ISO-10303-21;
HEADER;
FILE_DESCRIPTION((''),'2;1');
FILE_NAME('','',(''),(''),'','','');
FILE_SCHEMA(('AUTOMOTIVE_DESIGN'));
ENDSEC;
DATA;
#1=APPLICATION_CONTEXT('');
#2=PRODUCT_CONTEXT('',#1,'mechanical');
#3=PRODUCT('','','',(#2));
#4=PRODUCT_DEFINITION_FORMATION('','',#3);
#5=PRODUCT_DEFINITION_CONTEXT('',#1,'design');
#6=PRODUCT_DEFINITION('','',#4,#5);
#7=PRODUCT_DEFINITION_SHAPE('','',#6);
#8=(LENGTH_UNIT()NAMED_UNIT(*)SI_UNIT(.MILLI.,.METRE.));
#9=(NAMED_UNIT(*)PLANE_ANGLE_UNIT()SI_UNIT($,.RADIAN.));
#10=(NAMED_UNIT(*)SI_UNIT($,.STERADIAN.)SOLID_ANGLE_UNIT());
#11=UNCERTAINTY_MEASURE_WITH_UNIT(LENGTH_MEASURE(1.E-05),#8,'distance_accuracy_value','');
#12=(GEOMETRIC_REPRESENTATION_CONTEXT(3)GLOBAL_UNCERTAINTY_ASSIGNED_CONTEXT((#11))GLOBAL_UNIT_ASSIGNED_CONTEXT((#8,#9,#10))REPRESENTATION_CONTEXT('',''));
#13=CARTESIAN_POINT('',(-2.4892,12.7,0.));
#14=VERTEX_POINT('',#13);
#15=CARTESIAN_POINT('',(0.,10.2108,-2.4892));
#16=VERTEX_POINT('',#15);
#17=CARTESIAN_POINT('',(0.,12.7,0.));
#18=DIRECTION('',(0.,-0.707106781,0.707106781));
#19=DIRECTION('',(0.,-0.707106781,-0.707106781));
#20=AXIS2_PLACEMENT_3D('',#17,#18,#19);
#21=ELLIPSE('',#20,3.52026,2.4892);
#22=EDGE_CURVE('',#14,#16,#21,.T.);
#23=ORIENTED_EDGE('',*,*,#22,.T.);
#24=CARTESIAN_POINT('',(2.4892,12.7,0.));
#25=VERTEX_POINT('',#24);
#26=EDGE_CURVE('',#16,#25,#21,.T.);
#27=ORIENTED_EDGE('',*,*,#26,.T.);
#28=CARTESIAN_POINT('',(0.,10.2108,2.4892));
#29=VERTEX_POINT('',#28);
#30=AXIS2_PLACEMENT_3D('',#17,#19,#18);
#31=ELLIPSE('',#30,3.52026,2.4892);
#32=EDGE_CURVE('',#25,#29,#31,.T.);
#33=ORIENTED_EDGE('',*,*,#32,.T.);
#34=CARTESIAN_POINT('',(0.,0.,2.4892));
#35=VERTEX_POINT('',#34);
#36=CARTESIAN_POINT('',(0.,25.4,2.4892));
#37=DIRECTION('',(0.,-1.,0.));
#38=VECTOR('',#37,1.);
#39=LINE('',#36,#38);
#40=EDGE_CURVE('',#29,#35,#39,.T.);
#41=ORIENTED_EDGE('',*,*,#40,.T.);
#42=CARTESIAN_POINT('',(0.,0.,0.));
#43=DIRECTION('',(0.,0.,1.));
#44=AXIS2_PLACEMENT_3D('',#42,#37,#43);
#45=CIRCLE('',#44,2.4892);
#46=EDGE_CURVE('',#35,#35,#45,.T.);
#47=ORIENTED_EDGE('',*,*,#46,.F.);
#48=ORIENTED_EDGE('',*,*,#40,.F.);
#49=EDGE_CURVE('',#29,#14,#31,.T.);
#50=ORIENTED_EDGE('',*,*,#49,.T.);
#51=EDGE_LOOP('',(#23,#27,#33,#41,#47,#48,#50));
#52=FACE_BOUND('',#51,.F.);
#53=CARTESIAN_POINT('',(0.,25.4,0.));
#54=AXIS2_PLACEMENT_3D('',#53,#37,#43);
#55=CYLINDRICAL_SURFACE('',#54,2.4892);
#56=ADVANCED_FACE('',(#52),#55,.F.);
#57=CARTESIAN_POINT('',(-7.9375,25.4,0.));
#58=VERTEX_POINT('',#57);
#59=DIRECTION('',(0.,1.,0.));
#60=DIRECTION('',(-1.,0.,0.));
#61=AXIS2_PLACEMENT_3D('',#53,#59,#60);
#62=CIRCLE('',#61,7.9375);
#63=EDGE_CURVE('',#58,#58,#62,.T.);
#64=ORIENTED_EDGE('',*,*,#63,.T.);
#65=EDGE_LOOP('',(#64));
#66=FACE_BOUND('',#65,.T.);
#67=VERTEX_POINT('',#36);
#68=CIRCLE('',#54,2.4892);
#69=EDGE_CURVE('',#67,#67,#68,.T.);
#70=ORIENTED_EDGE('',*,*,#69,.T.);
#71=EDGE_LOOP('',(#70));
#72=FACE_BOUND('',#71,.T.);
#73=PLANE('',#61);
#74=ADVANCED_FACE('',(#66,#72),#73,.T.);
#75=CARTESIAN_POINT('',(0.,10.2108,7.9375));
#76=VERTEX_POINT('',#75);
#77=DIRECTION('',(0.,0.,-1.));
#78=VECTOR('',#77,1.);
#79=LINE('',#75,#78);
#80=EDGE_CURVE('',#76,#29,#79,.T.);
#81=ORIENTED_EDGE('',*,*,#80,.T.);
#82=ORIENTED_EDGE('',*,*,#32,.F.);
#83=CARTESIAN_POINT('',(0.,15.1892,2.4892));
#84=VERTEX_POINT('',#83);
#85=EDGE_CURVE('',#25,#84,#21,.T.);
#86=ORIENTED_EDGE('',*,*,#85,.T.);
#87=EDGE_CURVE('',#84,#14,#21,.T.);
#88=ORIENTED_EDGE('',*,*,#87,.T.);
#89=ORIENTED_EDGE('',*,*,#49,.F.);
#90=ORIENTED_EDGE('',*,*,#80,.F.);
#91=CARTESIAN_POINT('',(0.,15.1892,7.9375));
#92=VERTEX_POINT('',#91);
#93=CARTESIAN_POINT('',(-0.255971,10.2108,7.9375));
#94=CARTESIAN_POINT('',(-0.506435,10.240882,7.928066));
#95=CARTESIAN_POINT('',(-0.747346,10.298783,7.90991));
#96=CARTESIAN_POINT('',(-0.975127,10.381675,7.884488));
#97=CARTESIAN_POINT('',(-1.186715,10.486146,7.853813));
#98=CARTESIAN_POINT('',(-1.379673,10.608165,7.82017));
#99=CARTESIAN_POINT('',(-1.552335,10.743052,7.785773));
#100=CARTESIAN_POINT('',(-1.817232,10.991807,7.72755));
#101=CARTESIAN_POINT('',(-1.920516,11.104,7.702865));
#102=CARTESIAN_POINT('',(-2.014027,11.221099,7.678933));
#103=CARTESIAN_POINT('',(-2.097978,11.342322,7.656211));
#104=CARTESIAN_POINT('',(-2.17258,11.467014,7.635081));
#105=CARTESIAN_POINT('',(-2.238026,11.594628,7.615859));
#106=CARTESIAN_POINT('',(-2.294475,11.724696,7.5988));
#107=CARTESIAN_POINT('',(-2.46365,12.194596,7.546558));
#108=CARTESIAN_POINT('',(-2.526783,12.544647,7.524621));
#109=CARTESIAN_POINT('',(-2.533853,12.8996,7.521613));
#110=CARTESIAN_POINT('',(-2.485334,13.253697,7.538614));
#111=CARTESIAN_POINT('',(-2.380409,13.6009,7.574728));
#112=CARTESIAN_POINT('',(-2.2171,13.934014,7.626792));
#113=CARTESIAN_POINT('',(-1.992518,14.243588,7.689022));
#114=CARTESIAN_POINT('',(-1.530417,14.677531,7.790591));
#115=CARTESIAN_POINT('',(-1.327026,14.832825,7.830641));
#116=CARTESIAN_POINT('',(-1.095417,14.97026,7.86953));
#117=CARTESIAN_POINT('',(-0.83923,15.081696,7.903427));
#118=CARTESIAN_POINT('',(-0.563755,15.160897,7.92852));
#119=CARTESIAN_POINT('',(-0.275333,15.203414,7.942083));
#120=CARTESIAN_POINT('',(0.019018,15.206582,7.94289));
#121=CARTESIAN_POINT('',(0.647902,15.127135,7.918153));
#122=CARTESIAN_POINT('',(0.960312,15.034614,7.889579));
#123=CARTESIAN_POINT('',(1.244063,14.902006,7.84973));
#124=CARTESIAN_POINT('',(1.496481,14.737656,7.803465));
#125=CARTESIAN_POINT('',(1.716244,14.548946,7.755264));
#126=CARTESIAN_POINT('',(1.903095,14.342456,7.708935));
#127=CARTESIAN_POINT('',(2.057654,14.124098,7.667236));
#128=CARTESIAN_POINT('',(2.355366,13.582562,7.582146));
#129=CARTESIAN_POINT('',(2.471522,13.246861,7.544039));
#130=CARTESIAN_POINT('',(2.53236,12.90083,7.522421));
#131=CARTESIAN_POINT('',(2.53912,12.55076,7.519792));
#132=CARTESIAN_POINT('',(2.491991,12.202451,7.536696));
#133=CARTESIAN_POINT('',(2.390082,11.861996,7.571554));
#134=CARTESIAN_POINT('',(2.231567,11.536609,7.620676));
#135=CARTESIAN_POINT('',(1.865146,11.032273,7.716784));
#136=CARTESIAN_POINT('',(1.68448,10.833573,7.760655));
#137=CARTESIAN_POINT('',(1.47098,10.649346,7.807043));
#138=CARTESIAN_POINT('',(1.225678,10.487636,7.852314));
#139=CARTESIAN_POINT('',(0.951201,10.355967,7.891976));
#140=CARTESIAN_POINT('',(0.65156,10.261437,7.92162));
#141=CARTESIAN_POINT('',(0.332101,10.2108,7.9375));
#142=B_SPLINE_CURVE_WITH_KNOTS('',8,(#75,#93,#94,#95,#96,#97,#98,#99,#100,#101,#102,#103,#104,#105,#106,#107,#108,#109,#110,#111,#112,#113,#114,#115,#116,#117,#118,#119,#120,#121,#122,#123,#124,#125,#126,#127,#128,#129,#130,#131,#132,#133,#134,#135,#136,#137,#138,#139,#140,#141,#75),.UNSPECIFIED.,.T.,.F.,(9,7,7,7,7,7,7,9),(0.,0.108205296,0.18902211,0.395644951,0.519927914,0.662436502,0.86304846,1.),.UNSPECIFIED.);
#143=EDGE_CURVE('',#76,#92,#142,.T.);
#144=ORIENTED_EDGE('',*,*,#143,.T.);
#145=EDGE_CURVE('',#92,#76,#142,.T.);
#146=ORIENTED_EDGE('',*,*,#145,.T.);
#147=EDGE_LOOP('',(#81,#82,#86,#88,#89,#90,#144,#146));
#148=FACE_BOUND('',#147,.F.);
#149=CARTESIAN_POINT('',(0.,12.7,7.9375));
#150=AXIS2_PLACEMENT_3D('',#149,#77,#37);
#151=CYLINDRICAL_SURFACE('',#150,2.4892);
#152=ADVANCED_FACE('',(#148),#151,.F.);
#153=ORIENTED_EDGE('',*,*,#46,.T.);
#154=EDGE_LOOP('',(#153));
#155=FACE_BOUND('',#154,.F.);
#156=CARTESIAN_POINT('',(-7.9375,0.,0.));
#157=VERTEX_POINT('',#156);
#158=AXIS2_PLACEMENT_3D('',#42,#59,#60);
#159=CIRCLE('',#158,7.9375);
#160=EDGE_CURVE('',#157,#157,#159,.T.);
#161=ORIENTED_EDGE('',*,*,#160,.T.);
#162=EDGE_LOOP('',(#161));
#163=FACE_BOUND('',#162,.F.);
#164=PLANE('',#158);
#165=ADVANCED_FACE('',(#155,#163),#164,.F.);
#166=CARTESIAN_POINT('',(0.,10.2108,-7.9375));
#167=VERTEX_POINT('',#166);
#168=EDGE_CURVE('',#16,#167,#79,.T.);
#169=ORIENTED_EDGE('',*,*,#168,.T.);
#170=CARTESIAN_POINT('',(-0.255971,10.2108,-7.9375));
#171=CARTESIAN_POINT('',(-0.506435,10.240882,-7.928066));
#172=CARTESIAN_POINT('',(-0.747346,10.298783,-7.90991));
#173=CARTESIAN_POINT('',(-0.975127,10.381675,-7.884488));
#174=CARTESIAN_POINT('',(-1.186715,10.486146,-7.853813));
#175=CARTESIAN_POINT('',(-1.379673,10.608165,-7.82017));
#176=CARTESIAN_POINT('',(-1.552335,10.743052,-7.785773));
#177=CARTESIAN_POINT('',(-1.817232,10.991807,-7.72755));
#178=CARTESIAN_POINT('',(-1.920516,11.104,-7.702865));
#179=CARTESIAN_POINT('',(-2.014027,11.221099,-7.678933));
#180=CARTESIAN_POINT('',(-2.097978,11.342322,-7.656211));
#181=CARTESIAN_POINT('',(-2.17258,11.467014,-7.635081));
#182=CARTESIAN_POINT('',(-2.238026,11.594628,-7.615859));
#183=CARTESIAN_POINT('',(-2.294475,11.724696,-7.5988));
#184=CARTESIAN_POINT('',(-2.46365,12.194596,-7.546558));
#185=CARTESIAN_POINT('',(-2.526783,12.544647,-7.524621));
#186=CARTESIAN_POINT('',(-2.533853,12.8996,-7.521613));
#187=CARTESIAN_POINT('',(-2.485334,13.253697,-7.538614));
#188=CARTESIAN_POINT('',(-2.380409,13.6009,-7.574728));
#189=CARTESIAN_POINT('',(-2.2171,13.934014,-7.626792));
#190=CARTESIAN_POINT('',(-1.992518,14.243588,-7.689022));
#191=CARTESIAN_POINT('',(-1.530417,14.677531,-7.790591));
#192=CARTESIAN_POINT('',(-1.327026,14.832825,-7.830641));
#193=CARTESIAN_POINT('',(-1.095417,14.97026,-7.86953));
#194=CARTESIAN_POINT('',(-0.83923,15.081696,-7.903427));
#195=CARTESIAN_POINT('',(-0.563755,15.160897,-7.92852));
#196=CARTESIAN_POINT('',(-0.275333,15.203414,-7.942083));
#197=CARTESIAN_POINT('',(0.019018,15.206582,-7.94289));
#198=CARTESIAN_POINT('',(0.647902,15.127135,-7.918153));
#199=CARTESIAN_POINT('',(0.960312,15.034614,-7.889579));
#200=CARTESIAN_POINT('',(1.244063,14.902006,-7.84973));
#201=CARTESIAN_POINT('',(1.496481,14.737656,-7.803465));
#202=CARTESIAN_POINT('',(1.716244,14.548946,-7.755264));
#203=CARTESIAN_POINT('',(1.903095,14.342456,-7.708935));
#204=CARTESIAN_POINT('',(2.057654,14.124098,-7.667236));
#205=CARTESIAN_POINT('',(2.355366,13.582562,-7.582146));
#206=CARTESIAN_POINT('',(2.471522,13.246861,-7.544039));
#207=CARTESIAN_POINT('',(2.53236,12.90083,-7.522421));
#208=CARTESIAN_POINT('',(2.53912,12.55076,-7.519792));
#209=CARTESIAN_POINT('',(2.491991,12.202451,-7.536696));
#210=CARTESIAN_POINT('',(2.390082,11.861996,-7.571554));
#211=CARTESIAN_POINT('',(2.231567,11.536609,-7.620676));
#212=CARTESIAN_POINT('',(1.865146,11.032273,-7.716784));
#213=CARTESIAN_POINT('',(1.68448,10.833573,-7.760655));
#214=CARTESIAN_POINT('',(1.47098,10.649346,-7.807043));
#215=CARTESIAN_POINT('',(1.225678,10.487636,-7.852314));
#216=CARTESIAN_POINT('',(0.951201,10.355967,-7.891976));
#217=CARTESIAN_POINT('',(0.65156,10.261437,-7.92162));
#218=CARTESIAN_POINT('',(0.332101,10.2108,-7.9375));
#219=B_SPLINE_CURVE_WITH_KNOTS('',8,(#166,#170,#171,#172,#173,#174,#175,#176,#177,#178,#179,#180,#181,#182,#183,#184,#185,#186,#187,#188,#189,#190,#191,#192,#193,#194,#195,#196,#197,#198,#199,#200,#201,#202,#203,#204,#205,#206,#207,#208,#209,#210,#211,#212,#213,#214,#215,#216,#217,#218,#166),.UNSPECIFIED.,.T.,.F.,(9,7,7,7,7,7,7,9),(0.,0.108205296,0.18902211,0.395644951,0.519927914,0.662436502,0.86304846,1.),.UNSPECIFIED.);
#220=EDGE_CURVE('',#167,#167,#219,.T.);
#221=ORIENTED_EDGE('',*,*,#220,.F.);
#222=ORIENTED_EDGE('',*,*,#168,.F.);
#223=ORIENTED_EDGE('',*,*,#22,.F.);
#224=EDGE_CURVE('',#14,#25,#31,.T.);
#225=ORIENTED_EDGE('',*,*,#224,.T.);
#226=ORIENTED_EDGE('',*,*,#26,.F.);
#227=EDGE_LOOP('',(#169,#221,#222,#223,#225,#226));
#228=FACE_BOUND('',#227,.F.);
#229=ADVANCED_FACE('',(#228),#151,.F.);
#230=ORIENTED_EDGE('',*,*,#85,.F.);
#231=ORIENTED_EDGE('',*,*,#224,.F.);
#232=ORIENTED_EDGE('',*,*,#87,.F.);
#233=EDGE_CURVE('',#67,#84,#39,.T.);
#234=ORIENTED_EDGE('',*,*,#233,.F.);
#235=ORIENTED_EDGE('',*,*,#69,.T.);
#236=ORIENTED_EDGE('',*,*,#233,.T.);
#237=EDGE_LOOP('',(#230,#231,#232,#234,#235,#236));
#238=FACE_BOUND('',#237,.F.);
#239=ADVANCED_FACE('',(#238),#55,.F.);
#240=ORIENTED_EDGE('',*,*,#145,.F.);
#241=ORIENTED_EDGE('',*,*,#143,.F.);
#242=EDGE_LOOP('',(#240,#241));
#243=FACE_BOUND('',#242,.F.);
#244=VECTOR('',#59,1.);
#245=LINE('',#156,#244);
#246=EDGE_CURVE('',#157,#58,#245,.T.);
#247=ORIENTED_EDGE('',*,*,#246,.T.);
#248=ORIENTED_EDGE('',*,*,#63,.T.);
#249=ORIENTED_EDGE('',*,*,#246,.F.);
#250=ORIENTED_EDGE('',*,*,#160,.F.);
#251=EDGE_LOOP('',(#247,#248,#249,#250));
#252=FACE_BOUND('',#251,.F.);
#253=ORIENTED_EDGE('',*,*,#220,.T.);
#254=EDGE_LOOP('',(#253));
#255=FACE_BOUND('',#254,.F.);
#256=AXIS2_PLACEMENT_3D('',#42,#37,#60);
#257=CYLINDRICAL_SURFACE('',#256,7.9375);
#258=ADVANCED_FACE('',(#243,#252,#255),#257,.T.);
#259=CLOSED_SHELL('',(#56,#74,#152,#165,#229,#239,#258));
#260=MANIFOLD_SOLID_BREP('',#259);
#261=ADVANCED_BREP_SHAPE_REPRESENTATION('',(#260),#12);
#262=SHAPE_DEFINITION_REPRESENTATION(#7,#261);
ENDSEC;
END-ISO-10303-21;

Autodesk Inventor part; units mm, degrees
ref_plane "YZ Plane" through (0, 0, 0) normal (1, 0, 0) x (0, 1, 0)
ref_plane "XZ Plane" through (0, 0, 0) normal (0, 1, 0) x (-1, 0, 0)
sketch "Sketch1" plane through (0, 0, 0) normal (0, 1, 0) x (-1, 0, 0)
  circle A0 centre (0, 0) radius 7.9375
  dimension "d0" = 15.875
extrude "Extrusion1" add sketch "Sketch1" along normal blind 25.4
sketch "Sketch2" plane through (0, 25.4, 0) normal (0, 1, 0) x (1, 0, 0)
  point P0 (0, 0)
  point P1 (0, 0)
hole "Hole1" at (0, 25.4, 0) direction (0, -1, 0) diameter 4.9784 end through all thread size "1/4-20 UNC" class "2B" standard "ANSI Unified Screw Threads"
ref_plane "Work Plane1" through (0, 0, 7.9375) normal (0, 0, 1) x (1, 0, 0)
sketch "Sketch4" plane through (0, 0, 7.9375) normal (0, 0, 1) x (1, 0, 0)
  point P0 (0, 0)
  point P1 (0, 12.7)
  dimension "d11" = 12.7
hole "Hole2" at (0, 12.7, 7.9375) direction (0, 0, -1) diameter 4.9784 end through all thread size "1/4-20 UNC" class "2B" standard "ANSI Unified Screw Threads"
equation "\"d0\" = SlidingTensionerRoundDiameter"
equation "\"d1\" = ShapeWidth"
equation "\"d4\" = ShapeWidth"
equation "\"d11\" = 0.5 * ShapeWidth"
equation "\"d13\" = SlidingTensionerRoundDiameter"
equation "\"DrivebaseLength\" = 762"
equation "\"DrivebaseWidth\" = 660.4"
equation "\"ShapeHeight\" = 76.2"
equation "\"ShapeWidth\" = 25.4"
equation "\"ShapeThickness\" = 3.175"
equation "\"WheelDiameter\" = 152.4"
equation "\"WheelRadius\" = 76.2"
equation "\"WheelClearancetoFrame\" = 25.4"
equation "\"SlotLength\" = 88.9"
equation "\"SlotWidth\" = 15.9512"
equation "\"CenterAxleDrop\" = 3.175"
equation "\"CenterAxleXPosition\" = 381"
equation "\"CenterAxleYPosition\" = 25.4"
equation "\"Crossmember1Position\" = 203.2"
equation "\"Crossmember2Position\" = 203.2"
equation "\"CenterlineDrivebaseLength\" = 736.6"
equation "\"CenterlineDrivebaseWidth\" = 635"
equation "\"WheelDistanceFromEdge\" = 101.6"
equation "\"TensionAssemblyJointTravelLengthStart\" = -15.875"
equation "\"SlidingTensionerRoundClearance\" = 0.0762"
equation "\"CenterPointToTensionerRound\" = 28.575"
equation "\"SlidingTensionerRoundDiameter\" = 15.875"
equation "\"TensionAssemblyJointTravelLengthEnd\" = 15.875"
properties part number "200289" material "Steel, Carbon"
